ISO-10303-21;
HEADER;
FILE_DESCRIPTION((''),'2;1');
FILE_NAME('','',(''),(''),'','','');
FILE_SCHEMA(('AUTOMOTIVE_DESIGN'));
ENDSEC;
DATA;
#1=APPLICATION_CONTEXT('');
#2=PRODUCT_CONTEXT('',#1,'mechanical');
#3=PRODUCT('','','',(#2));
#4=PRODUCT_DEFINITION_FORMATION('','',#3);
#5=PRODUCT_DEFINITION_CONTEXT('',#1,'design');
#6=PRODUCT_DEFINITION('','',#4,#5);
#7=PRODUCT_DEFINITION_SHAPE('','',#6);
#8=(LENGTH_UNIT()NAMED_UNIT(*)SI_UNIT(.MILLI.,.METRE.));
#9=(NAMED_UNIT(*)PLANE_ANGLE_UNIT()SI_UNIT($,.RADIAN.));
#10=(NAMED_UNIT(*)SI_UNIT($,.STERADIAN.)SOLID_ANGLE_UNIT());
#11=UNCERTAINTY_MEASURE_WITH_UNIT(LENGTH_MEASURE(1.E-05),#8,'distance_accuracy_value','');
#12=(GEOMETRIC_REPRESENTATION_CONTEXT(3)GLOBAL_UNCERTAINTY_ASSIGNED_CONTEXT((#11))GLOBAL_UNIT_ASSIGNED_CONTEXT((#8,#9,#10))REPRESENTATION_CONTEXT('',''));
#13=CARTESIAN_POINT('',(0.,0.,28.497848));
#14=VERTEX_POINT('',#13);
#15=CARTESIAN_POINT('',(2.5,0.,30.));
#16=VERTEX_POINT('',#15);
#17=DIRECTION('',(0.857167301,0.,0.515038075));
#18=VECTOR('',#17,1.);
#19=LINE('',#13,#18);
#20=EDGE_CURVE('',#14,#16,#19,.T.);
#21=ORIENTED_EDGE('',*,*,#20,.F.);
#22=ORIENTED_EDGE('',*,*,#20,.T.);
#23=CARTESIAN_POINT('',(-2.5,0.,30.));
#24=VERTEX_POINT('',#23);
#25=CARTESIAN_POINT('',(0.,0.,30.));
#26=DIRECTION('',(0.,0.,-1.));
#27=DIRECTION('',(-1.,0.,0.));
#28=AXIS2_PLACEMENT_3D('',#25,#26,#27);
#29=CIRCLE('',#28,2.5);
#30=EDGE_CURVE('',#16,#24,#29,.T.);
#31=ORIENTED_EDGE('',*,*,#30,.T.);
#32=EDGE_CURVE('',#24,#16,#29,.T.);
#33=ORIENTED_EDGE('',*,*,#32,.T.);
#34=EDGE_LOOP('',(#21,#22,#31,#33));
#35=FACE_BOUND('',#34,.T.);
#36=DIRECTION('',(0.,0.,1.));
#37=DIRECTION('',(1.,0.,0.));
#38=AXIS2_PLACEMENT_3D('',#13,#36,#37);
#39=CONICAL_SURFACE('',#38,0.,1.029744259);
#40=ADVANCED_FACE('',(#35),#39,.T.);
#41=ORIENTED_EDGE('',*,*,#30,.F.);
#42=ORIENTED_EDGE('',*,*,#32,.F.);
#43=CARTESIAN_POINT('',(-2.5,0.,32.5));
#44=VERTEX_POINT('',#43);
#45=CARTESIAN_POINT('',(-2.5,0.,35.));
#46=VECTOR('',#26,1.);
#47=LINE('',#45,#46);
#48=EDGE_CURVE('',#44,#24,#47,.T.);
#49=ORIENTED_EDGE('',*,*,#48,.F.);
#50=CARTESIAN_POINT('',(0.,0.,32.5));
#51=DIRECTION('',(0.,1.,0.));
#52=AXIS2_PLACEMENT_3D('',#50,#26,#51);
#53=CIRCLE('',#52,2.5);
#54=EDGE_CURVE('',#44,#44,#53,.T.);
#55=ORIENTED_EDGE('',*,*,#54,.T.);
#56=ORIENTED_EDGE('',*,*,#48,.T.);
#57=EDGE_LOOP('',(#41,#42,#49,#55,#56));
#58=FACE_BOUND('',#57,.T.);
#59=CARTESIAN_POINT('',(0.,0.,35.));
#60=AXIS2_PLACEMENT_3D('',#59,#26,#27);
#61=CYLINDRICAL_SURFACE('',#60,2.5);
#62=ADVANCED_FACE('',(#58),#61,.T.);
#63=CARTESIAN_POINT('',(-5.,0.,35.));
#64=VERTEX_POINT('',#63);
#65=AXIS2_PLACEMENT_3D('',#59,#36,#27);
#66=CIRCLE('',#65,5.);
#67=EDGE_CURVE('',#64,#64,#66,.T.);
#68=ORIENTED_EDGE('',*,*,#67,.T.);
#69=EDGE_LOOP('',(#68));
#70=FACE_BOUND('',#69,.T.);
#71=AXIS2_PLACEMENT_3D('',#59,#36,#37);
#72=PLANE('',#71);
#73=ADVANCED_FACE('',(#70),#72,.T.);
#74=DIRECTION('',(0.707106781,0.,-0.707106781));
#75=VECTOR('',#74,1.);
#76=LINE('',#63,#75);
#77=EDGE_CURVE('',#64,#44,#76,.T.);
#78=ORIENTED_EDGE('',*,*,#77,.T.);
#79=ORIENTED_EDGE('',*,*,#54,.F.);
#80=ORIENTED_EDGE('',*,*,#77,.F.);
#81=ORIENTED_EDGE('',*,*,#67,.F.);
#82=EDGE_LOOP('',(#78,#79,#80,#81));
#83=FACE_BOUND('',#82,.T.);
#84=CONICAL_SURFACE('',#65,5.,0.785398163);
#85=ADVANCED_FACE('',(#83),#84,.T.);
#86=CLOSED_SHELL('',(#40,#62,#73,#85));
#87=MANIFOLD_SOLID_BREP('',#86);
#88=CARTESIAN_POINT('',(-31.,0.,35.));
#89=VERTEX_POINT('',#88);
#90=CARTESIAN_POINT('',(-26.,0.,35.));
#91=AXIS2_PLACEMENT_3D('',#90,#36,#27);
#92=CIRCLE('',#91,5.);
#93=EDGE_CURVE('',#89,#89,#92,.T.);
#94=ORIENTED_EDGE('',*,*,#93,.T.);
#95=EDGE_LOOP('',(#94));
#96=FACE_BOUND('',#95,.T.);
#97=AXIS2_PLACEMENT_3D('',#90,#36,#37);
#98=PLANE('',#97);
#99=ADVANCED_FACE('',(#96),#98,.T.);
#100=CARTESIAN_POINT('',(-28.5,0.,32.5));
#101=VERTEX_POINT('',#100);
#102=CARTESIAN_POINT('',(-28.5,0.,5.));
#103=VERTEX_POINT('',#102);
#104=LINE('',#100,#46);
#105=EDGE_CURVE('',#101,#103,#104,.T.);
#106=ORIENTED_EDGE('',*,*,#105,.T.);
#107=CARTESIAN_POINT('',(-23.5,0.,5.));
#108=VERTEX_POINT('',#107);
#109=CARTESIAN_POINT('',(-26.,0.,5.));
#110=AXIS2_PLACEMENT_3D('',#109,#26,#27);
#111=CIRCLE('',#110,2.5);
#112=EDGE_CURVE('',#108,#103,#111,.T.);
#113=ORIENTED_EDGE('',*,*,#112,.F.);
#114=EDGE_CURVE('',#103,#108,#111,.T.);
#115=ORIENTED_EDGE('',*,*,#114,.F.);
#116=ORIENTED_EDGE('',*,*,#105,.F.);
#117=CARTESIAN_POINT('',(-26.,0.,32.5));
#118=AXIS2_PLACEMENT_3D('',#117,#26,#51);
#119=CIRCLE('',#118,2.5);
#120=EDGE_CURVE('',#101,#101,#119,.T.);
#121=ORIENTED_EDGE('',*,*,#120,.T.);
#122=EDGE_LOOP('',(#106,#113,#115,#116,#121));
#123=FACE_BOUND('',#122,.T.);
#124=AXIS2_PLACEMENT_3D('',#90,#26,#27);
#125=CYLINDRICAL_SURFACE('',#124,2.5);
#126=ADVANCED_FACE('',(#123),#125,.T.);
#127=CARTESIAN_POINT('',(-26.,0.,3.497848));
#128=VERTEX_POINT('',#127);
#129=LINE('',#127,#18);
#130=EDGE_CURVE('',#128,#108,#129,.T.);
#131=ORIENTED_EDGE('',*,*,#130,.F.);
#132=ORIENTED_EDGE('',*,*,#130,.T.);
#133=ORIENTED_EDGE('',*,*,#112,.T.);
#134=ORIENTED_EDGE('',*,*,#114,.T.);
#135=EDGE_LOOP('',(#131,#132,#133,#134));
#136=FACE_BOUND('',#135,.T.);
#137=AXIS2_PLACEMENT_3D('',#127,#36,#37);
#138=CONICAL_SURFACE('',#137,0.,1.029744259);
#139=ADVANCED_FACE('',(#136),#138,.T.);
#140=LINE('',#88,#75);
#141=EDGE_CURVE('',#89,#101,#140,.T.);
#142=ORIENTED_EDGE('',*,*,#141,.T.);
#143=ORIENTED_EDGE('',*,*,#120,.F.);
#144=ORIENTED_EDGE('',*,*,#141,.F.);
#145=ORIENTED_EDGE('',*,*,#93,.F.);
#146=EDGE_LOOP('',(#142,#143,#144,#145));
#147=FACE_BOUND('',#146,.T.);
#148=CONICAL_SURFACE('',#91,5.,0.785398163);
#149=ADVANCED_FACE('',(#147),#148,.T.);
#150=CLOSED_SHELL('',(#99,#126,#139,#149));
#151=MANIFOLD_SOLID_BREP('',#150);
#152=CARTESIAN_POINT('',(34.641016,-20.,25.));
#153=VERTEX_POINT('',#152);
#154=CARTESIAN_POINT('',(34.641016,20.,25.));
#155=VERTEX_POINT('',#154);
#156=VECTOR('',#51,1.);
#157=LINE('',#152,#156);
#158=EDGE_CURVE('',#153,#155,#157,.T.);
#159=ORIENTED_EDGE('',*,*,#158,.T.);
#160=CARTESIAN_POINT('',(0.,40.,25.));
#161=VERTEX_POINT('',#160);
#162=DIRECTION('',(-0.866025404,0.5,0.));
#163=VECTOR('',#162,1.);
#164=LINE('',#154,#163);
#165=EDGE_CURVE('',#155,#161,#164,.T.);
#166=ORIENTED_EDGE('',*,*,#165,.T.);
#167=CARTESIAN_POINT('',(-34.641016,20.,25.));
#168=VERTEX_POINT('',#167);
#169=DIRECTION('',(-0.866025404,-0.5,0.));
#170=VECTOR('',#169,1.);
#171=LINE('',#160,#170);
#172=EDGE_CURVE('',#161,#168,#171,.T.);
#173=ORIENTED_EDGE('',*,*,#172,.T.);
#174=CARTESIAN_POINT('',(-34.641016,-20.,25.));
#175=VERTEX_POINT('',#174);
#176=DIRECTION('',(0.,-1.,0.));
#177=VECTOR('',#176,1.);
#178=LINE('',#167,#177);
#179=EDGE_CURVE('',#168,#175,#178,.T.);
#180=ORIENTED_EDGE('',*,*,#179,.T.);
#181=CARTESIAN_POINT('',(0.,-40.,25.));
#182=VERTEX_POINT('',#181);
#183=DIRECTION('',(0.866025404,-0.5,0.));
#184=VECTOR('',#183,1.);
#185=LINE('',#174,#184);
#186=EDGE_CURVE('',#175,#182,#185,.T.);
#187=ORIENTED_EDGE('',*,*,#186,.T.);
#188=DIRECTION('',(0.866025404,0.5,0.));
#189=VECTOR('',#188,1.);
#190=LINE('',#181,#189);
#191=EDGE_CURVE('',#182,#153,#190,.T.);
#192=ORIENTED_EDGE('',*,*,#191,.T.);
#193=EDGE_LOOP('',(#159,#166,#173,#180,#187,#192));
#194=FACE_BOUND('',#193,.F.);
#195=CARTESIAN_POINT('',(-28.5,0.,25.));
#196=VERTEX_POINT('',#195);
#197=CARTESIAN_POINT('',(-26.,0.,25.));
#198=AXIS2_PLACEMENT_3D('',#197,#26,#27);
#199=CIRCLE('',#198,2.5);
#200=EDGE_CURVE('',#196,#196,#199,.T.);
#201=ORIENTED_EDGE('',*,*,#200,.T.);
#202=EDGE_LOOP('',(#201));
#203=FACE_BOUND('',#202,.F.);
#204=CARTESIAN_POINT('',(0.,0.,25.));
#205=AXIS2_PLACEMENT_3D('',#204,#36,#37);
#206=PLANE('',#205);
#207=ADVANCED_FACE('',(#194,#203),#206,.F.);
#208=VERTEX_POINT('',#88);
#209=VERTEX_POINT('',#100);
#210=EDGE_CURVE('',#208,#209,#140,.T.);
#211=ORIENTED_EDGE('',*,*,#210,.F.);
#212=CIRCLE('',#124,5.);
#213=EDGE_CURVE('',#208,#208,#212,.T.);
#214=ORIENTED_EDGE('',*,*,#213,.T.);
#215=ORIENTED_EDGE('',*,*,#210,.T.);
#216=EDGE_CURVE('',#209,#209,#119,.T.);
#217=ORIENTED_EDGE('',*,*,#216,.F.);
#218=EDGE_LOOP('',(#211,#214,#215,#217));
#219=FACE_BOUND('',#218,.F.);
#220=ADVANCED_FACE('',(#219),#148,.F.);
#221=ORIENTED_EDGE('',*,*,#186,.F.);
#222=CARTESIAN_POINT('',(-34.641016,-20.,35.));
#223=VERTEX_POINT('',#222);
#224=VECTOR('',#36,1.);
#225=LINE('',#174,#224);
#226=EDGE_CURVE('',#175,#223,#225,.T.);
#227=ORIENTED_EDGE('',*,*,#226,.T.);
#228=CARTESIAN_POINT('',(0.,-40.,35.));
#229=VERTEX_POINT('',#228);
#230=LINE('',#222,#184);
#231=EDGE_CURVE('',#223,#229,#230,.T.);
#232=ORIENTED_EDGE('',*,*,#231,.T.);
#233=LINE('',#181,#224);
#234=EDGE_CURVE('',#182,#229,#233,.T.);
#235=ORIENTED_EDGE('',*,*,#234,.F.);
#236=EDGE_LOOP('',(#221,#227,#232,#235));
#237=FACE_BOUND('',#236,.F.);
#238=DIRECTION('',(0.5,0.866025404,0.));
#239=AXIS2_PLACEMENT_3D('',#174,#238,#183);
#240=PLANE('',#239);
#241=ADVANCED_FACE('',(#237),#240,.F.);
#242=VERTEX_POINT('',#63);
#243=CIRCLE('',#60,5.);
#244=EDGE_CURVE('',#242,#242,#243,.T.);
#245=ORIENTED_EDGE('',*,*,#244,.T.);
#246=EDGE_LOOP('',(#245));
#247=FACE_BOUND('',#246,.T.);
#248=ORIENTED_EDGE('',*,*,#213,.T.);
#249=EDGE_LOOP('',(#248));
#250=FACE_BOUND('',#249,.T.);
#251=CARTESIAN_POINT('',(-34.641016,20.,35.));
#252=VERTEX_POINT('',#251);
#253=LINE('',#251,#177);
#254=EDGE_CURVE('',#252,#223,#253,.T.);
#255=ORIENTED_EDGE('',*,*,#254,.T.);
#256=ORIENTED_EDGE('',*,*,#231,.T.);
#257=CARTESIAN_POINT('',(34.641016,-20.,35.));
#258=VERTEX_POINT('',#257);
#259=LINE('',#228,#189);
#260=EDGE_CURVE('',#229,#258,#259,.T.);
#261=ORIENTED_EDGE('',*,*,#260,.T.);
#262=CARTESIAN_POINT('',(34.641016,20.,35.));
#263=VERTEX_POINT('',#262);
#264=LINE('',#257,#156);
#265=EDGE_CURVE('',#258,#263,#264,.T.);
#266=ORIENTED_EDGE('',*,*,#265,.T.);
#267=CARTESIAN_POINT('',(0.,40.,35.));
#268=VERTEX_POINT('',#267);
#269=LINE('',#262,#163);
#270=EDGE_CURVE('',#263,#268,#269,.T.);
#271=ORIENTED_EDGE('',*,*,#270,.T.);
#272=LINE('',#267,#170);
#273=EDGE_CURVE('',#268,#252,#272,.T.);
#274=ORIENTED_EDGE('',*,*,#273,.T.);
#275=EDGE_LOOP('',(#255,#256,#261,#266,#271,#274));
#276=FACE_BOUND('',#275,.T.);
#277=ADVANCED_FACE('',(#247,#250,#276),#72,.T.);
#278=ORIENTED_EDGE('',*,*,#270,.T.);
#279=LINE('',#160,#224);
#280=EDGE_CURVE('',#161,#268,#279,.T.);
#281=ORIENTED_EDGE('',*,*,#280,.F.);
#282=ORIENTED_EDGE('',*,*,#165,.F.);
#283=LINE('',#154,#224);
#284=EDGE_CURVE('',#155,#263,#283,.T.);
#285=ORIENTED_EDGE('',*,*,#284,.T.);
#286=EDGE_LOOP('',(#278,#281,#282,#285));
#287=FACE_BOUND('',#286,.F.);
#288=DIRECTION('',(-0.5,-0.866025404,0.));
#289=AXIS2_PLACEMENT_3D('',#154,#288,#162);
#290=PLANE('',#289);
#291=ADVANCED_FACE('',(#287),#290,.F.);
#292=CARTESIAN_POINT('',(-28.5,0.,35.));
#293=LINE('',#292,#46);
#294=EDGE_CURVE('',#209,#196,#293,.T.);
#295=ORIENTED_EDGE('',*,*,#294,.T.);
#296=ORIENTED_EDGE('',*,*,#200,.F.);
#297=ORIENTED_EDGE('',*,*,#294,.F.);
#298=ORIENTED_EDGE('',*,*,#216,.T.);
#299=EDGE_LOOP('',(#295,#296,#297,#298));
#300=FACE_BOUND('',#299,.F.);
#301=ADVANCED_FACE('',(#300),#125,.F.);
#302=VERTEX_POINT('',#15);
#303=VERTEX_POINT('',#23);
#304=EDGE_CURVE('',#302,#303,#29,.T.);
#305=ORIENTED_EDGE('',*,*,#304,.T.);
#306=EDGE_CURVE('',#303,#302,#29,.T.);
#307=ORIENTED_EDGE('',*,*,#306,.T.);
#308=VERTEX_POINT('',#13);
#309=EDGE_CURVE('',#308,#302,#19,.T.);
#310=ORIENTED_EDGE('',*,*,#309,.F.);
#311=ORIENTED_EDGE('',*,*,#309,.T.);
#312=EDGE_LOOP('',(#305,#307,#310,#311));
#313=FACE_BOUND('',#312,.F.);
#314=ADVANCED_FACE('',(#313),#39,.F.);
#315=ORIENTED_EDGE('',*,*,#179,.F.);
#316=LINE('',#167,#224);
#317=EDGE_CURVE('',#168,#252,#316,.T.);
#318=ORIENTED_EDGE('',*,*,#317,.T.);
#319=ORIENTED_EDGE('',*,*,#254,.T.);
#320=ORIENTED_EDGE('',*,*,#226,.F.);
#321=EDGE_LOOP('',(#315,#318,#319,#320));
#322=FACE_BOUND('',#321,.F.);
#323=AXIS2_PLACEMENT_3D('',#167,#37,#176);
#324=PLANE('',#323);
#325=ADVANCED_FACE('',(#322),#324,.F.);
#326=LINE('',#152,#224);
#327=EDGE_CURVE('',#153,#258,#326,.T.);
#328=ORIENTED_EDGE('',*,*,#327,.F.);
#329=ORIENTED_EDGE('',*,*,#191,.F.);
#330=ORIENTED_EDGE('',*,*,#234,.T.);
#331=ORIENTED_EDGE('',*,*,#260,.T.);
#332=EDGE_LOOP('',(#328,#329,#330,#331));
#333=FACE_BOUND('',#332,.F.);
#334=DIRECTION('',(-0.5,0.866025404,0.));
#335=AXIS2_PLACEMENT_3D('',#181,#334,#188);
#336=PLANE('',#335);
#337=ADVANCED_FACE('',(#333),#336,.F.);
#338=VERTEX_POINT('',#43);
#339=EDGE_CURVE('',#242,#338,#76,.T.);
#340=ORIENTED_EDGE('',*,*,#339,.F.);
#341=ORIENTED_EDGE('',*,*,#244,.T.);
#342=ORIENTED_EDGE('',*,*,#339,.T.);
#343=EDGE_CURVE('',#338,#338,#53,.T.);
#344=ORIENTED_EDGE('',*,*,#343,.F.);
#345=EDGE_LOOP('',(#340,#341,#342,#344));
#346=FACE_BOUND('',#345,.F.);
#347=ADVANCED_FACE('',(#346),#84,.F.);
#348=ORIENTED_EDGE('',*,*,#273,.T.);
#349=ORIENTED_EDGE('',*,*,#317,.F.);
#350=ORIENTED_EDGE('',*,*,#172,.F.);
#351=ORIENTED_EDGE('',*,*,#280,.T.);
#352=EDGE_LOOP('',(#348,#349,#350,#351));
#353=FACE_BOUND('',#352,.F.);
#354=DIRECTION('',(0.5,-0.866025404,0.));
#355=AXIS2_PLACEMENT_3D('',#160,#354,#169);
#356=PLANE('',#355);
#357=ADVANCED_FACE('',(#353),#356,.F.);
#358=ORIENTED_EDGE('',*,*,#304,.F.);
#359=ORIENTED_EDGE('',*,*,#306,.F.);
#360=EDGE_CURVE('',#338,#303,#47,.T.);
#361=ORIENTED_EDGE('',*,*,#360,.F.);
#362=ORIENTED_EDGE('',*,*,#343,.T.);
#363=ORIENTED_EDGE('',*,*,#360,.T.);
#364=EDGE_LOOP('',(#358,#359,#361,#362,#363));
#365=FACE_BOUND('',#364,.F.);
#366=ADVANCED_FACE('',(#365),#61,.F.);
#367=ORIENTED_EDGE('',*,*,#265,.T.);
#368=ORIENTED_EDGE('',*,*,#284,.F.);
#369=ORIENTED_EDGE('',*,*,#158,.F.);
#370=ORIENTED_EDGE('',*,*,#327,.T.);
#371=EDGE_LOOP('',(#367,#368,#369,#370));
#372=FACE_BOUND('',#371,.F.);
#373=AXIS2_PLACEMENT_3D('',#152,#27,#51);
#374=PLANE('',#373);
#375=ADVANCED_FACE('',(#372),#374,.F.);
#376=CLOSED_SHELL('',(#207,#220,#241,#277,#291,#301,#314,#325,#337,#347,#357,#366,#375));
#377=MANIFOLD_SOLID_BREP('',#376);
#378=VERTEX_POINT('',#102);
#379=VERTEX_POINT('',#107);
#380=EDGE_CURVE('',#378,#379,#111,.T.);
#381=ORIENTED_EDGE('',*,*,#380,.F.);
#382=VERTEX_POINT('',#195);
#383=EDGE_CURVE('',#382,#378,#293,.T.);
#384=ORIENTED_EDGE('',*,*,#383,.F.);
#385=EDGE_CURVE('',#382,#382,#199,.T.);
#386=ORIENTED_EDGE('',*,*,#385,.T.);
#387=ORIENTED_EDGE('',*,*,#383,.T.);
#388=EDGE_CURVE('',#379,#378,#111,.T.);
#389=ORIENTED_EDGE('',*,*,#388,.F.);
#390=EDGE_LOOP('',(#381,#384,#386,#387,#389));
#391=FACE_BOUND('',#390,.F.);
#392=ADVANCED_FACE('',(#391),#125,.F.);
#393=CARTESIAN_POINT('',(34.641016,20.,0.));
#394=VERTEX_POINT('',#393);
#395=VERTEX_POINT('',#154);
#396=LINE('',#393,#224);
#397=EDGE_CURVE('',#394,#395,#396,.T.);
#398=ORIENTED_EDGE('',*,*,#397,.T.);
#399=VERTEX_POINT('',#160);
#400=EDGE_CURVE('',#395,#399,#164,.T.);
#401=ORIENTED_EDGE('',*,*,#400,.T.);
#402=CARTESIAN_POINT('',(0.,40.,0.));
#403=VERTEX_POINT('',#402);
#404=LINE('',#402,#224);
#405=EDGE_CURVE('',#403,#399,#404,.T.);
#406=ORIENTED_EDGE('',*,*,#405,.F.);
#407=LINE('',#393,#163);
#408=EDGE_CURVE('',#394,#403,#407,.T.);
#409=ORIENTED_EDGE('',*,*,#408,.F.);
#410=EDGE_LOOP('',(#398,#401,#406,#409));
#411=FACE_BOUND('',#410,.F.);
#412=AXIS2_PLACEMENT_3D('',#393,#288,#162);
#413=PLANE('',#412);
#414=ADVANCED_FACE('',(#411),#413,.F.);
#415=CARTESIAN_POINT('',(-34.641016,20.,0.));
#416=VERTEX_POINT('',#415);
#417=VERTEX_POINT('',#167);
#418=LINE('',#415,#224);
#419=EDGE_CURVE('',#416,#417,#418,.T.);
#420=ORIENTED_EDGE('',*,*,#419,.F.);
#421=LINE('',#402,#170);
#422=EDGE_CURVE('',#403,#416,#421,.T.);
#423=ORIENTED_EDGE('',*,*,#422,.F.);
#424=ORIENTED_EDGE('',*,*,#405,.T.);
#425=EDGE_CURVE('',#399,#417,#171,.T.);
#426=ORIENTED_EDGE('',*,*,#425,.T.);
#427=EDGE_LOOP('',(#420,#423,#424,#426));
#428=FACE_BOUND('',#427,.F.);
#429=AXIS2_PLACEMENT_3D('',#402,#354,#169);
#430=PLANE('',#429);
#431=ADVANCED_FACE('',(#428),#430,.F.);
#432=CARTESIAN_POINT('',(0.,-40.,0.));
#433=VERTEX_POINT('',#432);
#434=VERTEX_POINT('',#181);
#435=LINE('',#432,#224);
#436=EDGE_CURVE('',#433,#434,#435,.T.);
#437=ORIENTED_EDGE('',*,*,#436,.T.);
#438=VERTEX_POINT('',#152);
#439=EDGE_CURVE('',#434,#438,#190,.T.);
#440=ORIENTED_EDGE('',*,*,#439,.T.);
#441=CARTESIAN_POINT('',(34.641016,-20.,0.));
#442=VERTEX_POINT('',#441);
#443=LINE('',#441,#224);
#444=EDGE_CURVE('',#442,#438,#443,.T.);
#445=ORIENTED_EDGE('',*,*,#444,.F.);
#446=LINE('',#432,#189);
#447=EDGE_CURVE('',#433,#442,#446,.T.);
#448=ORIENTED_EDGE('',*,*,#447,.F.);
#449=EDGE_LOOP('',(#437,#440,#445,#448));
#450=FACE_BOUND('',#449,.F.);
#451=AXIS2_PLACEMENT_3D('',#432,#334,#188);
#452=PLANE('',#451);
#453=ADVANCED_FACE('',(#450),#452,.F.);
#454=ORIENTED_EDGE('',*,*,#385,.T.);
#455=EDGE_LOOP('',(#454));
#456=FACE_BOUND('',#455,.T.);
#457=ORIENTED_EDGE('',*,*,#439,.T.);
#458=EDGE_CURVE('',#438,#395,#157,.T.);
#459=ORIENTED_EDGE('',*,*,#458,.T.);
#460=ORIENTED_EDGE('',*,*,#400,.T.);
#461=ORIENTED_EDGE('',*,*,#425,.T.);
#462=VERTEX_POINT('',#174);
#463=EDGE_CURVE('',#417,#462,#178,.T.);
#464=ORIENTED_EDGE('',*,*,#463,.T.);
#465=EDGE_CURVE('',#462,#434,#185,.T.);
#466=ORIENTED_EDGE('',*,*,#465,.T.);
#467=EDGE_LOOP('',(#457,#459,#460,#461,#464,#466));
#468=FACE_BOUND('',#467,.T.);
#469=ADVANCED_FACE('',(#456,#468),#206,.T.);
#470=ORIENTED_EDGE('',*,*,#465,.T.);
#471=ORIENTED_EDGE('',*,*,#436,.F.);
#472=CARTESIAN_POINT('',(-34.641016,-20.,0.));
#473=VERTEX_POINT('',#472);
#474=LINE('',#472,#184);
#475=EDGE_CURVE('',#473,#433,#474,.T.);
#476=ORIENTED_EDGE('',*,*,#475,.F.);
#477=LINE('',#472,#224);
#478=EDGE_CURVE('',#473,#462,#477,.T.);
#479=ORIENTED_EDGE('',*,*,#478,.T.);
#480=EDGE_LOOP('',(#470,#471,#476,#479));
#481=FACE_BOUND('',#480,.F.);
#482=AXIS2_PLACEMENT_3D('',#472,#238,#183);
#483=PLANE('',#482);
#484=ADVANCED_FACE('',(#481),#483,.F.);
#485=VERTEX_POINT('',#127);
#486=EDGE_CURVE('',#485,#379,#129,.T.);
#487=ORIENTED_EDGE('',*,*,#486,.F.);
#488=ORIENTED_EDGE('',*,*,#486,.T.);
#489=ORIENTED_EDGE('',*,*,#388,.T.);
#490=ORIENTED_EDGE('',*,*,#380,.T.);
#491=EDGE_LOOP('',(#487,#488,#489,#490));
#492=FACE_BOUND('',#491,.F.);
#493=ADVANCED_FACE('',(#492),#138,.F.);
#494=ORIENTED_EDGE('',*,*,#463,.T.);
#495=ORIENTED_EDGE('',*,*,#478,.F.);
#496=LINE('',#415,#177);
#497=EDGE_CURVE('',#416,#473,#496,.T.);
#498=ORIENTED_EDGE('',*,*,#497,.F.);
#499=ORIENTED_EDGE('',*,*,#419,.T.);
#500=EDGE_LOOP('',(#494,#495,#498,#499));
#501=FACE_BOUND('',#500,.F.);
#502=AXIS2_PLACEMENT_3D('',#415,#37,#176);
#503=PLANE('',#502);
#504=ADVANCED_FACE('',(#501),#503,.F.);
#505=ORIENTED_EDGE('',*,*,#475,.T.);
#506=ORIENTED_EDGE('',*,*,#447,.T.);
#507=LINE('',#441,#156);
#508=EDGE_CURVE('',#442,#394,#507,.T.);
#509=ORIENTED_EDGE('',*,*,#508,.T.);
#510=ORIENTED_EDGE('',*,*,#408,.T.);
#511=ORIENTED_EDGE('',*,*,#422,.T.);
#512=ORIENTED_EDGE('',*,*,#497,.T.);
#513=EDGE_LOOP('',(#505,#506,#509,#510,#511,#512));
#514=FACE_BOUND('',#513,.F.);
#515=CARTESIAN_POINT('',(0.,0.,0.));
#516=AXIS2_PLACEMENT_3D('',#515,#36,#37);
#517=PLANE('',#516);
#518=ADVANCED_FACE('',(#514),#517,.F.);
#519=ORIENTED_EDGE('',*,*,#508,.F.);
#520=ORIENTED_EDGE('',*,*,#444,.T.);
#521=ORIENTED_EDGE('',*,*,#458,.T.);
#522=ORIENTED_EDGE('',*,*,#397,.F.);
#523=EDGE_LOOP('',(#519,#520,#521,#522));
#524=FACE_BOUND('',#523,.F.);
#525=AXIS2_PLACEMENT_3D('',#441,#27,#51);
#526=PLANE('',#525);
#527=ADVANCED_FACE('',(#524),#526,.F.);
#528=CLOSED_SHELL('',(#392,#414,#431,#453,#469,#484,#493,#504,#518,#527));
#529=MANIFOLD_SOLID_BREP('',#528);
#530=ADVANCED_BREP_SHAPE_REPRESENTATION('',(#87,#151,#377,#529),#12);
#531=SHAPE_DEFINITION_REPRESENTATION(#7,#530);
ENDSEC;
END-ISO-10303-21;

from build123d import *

# Parameters (mm, degrees)
F1_DEPTH         = 25
F3_DEPTH         = 10
F5_D             = 5
F5_DEPTH         = 30
F5_CSINK_D       = 10
F5_CSINK_ANGLE   = 90
F5_TIP           = 1.5021515476
F5_2_D           = 5
F5_2_DEPTH       = 30
F5_2_CSINK_D     = 10
F5_2_CSINK_ANGLE = 90
F5_2_TIP         = 1.5021515476
F6_R             = 5
F7_DEPTH         = 35
F10_D            = 5
F10_DEPTH        = 5
F10_CSINK_D      = 10
F10_CSINK_ANGLE  = 90
F10_TIP          = 1.5021515476
F11_R            = 5
F12_DEPTH        = 10


with BuildPart() as f1:
    # F0 (on Top) → F1 (new body)
    with BuildSketch(Plane.XY):
        Polygon((0, 40), (-34.6410161514, 20), (-34.6410161514, -20), (0, -40), (34.6410161514, -20), (34.6410161514, 20), align=None)
    extrude(amount=F1_DEPTH)

    # F5
    with Locations(Plane.XY.offset(35)):
        with Locations((-26, 0)):
            CounterSinkHole(F5_D / 2, F5_CSINK_D / 2, depth=F5_DEPTH, counter_sink_angle=F5_CSINK_ANGLE)
            with Locations((0, 0, -(F5_DEPTH + F5_TIP / 2))):  # 118° drill point
                Cone(0, F5_D / 2, F5_TIP, mode=Mode.SUBTRACT)


with BuildPart() as f3:
    # F2 (on face) → F3 (new body)
    with BuildSketch(Plane.XY.offset(25)):
        Polygon((34.6410161514, 20), (0, 40), (-34.6410161514, 20), (-34.6410161514, -20), (0, -40), (34.6410161514, -20), align=None)
    extrude(amount=F3_DEPTH)

    # F5#2
    with Locations(Plane.XY.offset(35)):
        with Locations((-26, 0)):
            CounterSinkHole(F5_2_D / 2, F5_2_CSINK_D / 2, depth=F5_2_DEPTH, counter_sink_angle=F5_2_CSINK_ANGLE)
            with Locations((0, 0, -(F5_2_DEPTH + F5_2_TIP / 2))):  # 118° drill point
                Cone(0, F5_2_D / 2, F5_2_TIP, mode=Mode.SUBTRACT)


with BuildPart() as f7:
    # F6 (on face) → F7 (new body, through all)
    with BuildSketch(Plane.XY.offset(35)):
        with Locations((-26, 0)):
            Circle(F6_R)
    extrude(amount=-F7_DEPTH)

    # F8: cut F3, F1
    add(f3.part, mode=Mode.SUBTRACT)
    add(f1.part, mode=Mode.SUBTRACT)


with BuildPart() as f3_1:
    add(f3.part)

    # F10
    with Locations(Plane.XY.offset(35)):
        with Locations((0, 0)):
            CounterSinkHole(F10_D / 2, F10_CSINK_D / 2, depth=F10_DEPTH, counter_sink_angle=F10_CSINK_ANGLE)
            with Locations((0, 0, -(F10_DEPTH + F10_TIP / 2))):  # 118° drill point
                Cone(0, F10_D / 2, F10_TIP, mode=Mode.SUBTRACT)


with BuildPart() as f12:
    # F11 (on face) → F12 (new body, through all)
    with BuildSketch(Plane.XY.offset(35)):
        Circle(F11_R)
    extrude(amount=-F12_DEPTH)

    # F13: cut F3
    add(f3_1.part, mode=Mode.SUBTRACT)


solid = Compound([f1.part, f7.part, f3_1.part, f12.part])
